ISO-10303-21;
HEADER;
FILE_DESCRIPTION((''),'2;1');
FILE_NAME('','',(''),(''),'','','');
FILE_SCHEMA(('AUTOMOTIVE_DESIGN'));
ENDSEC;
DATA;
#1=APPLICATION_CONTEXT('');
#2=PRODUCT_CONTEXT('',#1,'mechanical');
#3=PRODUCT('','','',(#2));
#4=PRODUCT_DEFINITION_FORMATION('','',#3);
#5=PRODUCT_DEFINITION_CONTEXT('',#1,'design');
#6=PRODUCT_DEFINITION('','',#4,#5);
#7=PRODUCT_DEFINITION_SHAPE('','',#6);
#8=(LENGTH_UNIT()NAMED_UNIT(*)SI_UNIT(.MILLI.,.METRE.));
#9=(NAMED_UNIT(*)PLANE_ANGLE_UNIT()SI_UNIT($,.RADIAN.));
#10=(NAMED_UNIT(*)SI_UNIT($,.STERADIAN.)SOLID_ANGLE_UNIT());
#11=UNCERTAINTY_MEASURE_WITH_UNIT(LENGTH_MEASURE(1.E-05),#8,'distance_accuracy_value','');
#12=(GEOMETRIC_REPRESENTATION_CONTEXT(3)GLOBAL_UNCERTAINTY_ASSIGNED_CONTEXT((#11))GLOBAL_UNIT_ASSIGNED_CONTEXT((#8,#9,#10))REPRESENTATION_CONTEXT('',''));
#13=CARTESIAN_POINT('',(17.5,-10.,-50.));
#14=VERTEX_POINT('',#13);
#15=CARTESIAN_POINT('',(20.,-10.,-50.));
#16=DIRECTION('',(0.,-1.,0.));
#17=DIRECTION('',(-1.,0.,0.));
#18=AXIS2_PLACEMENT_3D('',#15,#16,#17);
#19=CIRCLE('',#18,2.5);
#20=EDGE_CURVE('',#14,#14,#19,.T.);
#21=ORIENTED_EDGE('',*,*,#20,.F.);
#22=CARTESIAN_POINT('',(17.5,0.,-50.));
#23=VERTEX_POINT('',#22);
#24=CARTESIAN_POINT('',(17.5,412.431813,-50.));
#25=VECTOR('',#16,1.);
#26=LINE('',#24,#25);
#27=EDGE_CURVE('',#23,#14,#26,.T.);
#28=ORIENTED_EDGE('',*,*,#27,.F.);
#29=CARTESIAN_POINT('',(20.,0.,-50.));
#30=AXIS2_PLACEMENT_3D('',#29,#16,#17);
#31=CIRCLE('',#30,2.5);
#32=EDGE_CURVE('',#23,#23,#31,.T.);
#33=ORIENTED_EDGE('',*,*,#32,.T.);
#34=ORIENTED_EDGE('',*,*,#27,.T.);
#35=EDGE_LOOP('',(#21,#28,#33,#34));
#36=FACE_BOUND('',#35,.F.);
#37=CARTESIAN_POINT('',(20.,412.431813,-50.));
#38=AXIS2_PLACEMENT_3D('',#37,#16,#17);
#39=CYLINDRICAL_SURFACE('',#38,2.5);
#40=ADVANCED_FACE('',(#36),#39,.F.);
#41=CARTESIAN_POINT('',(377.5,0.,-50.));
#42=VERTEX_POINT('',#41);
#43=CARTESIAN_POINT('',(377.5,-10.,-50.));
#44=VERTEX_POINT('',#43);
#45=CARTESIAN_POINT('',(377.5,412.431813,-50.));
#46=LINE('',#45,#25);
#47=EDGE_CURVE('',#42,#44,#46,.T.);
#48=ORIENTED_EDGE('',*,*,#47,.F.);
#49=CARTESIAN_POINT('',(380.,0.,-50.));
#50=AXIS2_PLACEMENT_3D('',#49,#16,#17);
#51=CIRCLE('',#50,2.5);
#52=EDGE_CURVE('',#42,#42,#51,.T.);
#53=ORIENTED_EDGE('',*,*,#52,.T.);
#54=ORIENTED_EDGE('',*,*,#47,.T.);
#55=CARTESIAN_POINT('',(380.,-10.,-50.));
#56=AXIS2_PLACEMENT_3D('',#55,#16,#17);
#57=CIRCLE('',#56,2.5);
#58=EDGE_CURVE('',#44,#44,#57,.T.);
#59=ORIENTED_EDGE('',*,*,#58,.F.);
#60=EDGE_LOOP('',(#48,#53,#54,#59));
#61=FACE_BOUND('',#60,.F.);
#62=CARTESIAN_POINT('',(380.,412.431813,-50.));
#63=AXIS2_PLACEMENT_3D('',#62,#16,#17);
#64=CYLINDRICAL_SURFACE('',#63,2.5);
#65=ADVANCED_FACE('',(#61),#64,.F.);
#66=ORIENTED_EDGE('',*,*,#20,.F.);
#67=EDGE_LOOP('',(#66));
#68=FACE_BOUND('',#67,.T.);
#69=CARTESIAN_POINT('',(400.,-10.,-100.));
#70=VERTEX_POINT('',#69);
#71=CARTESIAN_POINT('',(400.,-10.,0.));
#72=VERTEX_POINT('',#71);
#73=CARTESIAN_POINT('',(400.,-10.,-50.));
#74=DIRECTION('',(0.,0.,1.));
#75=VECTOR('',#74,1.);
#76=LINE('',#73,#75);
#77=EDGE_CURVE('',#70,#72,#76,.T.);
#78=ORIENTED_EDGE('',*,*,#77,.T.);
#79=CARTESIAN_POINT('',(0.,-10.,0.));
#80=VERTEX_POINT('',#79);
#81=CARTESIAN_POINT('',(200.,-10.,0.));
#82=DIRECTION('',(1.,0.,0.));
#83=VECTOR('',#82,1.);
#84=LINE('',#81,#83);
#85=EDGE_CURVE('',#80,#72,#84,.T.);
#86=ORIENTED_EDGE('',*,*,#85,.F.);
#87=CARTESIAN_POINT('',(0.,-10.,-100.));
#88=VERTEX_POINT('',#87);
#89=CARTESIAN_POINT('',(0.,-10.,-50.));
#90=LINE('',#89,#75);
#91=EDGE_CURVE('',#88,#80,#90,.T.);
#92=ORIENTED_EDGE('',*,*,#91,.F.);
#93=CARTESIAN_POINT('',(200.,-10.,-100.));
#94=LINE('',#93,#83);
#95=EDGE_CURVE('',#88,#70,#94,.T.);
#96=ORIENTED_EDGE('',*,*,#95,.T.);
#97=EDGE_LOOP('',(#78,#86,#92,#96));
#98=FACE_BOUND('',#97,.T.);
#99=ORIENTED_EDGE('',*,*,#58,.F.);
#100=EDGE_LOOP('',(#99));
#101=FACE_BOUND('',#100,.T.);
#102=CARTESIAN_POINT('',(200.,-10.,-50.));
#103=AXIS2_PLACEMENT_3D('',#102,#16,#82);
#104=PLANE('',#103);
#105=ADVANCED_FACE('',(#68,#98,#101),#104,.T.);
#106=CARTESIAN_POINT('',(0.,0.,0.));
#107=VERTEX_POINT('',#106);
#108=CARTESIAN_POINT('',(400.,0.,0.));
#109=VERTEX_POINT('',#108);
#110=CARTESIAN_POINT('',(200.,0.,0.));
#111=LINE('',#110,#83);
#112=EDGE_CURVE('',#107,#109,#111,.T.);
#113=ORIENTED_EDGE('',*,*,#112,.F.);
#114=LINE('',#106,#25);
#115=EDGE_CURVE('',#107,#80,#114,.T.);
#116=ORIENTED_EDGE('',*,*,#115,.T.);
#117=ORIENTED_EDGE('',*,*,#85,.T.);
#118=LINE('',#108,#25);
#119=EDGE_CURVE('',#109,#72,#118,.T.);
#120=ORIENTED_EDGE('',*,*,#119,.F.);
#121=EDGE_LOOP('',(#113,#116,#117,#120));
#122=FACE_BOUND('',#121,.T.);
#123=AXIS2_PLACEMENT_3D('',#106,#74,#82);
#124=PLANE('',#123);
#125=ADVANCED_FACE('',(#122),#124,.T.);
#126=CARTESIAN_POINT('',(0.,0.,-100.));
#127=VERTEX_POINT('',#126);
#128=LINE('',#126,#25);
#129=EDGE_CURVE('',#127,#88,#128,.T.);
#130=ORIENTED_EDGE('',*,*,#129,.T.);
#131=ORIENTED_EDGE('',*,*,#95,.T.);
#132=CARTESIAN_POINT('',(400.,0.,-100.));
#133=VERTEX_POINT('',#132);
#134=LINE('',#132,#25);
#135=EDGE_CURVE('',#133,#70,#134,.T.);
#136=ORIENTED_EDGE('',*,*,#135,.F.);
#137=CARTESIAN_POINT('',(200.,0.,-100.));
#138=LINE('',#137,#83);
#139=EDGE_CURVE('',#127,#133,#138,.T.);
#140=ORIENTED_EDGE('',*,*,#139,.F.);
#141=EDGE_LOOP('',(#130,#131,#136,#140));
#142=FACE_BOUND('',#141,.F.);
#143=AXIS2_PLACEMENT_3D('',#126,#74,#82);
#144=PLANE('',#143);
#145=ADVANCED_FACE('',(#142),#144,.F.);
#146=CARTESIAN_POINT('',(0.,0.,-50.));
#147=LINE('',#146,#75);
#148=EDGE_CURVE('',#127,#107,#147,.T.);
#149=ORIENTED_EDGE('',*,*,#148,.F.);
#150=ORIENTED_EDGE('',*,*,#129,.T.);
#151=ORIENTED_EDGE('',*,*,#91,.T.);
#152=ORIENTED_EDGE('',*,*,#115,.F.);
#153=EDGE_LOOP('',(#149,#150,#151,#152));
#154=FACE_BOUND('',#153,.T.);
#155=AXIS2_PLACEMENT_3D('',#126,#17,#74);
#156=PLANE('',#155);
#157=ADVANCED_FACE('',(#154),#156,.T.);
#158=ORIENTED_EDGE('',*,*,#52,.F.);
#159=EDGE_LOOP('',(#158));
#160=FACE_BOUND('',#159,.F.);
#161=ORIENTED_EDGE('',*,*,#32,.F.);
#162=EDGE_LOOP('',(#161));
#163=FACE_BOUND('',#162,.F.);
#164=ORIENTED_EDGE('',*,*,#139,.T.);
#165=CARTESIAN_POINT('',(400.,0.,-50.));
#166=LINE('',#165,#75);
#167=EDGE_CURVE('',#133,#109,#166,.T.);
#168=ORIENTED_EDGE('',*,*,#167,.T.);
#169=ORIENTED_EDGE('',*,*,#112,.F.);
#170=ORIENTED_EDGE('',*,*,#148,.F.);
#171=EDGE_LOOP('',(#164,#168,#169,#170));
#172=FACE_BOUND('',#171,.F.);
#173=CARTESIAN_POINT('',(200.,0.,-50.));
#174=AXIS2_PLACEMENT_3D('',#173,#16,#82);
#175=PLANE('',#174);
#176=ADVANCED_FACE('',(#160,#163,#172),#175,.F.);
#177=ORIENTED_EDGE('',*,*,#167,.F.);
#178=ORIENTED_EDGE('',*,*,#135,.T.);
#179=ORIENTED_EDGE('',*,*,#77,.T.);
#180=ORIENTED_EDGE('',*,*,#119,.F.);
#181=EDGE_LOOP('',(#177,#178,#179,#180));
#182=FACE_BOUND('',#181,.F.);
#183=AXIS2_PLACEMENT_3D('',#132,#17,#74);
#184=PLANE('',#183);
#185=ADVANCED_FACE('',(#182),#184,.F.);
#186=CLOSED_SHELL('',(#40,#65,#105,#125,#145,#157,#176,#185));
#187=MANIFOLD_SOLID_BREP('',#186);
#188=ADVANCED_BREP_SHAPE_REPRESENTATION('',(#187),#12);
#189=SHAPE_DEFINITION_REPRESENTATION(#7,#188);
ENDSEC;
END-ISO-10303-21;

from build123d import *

# Parameters (mm, degrees)
F0_W     = 400
F0_H     = 100
F1_DEPTH = 10
F2_D     = 5


with BuildPart() as f1:
    # F0 (on Front) → F1 (new body)
    with BuildSketch(Plane.XZ):
        with Locations((200, -50)):
            Rectangle(F0_W, F0_H)
    extrude(amount=F1_DEPTH)

    # F2 (through all)
    with Locations(Plane(origin=(0, 0, 0), x_dir=(1, 0, 0), z_dir=(0, 1, 0))):
        with Locations((380, 50), (20, 50)):
            Hole(F2_D / 2)


solid = f1.part
